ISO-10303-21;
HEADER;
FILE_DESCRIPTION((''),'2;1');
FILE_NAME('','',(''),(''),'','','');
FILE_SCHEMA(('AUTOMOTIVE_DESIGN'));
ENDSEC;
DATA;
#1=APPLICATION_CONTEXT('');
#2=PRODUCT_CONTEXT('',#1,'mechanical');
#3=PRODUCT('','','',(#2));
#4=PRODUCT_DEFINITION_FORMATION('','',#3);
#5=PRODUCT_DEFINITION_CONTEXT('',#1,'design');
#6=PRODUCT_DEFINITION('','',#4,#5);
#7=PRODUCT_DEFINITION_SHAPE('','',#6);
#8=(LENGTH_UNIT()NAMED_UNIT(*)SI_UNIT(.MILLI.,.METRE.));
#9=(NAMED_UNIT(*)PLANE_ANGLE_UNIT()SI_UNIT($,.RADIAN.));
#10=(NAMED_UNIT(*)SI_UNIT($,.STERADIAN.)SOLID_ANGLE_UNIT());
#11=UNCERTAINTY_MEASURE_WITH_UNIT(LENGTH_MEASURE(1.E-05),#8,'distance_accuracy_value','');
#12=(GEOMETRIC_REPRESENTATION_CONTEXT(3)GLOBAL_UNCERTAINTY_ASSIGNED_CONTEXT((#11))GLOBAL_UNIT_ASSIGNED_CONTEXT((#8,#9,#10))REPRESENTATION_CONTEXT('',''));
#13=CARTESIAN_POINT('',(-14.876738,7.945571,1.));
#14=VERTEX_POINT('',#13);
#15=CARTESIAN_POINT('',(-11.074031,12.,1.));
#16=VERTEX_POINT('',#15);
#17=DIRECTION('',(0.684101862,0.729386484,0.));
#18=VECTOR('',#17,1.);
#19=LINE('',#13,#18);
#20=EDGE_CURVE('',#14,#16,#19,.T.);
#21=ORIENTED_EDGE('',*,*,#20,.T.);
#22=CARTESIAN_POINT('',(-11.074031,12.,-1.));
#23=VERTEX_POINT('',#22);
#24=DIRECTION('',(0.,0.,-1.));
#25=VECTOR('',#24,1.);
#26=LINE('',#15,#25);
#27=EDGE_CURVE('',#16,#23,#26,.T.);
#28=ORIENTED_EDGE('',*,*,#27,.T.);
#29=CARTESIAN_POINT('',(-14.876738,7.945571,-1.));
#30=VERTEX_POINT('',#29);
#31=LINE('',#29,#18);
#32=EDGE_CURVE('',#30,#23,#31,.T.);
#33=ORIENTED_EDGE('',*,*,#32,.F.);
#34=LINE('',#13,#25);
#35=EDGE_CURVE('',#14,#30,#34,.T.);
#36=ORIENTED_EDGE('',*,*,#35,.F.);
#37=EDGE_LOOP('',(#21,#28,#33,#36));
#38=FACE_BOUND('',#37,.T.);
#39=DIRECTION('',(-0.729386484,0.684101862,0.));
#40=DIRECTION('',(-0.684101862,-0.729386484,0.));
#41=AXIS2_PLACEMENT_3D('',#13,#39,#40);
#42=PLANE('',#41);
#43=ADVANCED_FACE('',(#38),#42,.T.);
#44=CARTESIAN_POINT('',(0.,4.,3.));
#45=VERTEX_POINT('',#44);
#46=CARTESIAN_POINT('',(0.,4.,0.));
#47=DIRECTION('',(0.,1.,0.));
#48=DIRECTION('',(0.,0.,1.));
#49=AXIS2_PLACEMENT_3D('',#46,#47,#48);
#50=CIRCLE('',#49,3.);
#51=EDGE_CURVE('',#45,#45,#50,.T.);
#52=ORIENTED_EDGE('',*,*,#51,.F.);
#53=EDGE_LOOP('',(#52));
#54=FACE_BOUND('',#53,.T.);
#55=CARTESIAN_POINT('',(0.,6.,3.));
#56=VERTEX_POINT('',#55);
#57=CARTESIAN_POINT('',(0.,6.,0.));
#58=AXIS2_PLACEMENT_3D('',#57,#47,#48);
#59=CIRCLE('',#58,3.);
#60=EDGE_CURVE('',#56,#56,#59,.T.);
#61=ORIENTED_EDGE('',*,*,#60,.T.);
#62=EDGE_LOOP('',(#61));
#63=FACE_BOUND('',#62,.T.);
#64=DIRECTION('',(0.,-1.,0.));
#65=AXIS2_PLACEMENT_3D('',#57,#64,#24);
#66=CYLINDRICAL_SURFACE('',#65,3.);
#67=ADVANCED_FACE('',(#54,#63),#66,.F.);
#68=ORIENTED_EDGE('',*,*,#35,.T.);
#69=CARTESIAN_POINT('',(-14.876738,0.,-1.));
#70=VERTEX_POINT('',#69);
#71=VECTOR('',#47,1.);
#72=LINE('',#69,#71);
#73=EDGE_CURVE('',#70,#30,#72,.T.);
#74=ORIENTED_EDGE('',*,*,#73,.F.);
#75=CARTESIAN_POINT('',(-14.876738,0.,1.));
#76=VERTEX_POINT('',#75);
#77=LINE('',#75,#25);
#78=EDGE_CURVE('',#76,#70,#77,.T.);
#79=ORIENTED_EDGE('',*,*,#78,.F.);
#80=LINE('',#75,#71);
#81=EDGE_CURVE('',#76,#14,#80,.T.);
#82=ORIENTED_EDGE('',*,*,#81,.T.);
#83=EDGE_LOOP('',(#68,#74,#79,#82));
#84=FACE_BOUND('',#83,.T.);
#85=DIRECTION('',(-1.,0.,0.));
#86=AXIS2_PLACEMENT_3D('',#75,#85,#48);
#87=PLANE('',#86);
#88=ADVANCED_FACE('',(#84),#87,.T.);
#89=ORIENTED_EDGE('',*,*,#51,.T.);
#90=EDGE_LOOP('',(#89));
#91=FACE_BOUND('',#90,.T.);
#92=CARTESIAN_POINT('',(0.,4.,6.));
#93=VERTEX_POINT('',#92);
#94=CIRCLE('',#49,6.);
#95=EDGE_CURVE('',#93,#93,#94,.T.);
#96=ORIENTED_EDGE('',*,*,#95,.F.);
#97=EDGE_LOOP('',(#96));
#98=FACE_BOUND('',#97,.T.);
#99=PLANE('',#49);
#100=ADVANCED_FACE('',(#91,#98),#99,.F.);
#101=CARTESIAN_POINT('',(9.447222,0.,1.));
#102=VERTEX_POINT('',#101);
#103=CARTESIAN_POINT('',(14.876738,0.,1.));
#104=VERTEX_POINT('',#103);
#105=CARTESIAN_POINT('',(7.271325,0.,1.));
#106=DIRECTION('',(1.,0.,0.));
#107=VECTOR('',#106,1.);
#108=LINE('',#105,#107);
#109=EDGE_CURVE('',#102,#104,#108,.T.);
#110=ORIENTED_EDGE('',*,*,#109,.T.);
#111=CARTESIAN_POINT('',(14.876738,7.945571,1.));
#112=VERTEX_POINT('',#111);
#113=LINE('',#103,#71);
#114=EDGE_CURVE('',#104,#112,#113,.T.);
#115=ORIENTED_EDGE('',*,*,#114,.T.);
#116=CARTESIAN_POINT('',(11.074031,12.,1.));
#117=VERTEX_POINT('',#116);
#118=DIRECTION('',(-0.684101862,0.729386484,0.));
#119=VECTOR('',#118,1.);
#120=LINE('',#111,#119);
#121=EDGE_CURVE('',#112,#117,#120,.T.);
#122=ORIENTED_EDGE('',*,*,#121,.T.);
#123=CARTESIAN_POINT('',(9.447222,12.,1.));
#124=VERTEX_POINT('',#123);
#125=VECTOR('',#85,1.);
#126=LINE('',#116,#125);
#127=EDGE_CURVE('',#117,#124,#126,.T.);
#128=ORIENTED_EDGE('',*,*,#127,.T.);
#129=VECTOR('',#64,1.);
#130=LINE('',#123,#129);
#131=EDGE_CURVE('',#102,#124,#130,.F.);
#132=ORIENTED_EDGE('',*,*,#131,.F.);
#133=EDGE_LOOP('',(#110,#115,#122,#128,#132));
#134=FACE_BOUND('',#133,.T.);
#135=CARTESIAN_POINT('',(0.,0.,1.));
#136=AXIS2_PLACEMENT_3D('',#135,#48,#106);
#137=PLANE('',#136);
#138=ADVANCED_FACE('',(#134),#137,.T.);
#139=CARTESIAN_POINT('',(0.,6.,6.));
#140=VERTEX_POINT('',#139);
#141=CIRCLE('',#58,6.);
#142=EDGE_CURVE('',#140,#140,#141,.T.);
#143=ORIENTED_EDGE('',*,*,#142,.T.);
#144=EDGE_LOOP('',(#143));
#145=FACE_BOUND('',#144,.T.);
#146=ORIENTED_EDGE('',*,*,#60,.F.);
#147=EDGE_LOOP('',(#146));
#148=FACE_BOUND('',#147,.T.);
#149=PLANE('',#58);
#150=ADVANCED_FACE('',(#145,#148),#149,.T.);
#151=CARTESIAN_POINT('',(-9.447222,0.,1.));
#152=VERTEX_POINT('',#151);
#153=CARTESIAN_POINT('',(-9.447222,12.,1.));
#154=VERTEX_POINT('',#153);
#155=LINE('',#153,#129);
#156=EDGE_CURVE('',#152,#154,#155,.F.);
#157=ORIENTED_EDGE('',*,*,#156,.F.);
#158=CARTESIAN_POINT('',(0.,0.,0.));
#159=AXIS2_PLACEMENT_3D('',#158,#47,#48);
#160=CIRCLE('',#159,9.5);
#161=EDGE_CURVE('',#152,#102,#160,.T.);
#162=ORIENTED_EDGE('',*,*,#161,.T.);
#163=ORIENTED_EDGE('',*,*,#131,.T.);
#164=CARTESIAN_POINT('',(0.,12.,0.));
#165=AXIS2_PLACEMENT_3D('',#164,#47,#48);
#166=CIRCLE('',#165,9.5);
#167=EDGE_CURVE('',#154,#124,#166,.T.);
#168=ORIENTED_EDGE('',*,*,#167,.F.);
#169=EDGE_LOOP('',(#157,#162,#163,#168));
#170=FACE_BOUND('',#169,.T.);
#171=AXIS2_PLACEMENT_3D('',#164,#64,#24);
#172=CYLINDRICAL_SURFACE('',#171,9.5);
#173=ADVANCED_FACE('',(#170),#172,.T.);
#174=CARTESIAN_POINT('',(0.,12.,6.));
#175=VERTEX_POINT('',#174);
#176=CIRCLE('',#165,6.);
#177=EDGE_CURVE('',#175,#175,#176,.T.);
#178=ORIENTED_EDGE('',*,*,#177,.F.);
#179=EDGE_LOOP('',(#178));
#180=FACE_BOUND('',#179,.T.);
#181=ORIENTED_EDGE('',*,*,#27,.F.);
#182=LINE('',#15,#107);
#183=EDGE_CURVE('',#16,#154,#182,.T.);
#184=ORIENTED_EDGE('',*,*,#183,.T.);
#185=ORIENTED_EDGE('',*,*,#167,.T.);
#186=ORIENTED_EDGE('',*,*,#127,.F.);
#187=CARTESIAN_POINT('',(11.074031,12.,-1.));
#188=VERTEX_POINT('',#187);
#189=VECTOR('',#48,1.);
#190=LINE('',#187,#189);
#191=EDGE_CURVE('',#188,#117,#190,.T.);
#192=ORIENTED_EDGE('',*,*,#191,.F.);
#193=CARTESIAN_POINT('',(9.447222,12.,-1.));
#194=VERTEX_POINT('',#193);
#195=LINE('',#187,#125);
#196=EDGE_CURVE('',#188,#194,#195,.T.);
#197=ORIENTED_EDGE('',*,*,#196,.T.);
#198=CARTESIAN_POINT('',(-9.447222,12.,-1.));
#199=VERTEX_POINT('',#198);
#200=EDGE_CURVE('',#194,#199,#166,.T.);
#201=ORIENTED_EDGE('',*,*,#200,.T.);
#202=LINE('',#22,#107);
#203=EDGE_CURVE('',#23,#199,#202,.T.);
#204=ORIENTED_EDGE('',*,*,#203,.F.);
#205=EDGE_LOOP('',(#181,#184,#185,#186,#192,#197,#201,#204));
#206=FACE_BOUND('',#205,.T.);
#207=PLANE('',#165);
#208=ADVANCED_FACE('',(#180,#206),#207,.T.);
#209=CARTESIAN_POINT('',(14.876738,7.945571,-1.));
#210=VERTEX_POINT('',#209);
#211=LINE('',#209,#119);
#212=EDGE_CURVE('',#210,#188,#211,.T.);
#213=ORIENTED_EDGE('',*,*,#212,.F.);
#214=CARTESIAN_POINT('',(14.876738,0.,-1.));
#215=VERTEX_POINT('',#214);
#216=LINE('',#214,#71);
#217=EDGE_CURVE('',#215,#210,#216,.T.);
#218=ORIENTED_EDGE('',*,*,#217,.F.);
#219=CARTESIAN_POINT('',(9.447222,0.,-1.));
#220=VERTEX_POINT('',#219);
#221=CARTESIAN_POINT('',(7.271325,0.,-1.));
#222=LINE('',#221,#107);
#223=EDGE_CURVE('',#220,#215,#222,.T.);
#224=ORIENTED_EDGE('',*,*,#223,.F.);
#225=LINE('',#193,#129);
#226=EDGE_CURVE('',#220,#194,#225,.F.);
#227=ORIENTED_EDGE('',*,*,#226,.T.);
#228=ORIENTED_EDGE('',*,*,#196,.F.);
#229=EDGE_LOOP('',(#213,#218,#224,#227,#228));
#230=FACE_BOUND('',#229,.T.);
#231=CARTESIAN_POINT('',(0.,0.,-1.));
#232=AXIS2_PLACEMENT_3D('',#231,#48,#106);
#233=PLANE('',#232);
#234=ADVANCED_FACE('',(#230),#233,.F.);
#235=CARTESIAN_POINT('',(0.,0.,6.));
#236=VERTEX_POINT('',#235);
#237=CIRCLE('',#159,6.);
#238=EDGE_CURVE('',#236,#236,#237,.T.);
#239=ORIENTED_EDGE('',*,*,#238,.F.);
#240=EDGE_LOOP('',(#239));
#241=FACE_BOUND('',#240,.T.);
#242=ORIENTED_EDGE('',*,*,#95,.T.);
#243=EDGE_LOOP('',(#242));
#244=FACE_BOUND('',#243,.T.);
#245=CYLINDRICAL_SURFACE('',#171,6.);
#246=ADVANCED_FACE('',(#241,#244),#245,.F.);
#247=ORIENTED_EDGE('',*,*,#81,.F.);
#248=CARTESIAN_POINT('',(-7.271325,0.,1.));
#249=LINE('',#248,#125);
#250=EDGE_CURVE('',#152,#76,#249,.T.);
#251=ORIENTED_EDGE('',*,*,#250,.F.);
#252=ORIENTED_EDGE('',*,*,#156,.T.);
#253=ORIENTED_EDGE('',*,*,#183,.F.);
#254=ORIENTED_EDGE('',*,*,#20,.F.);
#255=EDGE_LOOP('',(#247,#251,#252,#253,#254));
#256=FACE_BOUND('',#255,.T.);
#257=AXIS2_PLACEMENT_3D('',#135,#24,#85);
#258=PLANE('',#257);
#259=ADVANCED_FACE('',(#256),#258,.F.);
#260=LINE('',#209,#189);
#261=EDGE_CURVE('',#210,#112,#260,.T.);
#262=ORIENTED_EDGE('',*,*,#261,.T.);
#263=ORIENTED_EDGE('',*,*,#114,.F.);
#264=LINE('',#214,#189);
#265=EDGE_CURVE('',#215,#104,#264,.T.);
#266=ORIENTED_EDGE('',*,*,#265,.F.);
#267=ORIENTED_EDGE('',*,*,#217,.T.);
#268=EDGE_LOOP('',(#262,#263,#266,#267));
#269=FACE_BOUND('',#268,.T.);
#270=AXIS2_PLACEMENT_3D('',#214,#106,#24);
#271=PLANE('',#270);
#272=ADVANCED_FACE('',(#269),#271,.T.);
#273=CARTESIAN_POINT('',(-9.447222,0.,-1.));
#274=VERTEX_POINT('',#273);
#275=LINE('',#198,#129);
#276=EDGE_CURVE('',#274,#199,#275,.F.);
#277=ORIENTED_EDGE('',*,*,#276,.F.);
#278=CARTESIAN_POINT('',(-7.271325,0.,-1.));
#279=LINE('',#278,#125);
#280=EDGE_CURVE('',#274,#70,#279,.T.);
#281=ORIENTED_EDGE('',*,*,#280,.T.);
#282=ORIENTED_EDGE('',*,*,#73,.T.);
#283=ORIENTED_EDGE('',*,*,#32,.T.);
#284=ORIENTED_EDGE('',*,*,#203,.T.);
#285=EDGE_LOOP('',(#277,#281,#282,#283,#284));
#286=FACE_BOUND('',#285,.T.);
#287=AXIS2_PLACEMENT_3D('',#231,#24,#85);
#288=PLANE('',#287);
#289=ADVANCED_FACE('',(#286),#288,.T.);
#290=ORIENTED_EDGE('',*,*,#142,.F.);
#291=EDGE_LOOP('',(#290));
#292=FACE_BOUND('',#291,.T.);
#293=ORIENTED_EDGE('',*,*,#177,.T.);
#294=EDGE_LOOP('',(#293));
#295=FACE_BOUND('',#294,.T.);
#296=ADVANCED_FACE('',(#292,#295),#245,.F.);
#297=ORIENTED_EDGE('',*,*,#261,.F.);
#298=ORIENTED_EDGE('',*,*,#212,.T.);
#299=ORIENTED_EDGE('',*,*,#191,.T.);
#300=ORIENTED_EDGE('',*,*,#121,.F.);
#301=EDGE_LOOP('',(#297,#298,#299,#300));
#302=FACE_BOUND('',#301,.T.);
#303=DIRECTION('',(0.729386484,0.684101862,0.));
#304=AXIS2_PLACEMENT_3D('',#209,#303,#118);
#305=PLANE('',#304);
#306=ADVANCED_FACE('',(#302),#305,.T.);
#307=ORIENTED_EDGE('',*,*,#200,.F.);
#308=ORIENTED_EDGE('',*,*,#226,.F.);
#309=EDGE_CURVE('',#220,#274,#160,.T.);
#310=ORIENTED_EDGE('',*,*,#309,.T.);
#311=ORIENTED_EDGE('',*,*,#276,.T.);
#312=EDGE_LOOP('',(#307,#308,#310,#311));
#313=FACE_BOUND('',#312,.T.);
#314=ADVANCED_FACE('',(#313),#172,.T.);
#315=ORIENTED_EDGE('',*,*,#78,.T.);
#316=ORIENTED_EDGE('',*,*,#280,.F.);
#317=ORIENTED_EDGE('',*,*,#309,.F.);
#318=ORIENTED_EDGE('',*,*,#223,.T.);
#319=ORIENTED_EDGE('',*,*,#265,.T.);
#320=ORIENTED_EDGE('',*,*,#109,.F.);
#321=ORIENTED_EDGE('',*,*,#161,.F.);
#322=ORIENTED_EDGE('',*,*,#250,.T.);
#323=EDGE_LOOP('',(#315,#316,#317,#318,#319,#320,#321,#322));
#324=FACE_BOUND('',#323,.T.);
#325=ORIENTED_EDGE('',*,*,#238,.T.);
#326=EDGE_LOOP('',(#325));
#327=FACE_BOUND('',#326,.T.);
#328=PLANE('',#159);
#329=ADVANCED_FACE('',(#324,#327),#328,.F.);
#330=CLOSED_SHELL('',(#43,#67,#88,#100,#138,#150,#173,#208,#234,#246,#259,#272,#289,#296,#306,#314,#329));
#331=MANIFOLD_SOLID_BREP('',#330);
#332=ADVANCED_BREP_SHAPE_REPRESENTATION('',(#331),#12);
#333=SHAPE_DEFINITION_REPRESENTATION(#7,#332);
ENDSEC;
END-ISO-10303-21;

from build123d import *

# Parameters (mm, degrees)
SKETCH1_R           = 9.5
SKETCH1_R_2         = 6
BOSS_EXTRUDE1_DEPTH = 12
BOSS_EXTRUDE2_DEPTH = 1
CIRPATTERN1_COUNT   = 2
SKETCH3_R           = 6
SKETCH3_R_2         = 3
BOSS_EXTRUDE3_DEPTH = 2


with BuildPart() as part:
    # Sketch1 → Boss-Extrude1 (new body)
    with BuildSketch(Plane(origin=(0, 0, 0), x_dir=(1, 0, 0), z_dir=(0, 1, 0))):
        Circle(SKETCH1_R)
        Circle(SKETCH1_R_2, mode=Mode.SUBTRACT)
    extrude(amount=BOSS_EXTRUDE1_DEPTH)

    # Sketch2 → Boss-Extrude2 (add, symmetric)
    with BuildSketch(Plane.XY):
        Polygon((7.271324846, 12), (7.271324846, 0), (14.87673759, 0), (14.87673759, 7.945570702), (11.074031218, 12), align=None)
    boss_extrude2 = extrude(amount=BOSS_EXTRUDE2_DEPTH, both=True)

    # CirPattern1: Boss-Extrude2 ×2 about axis
    cirpattern1_axis = Axis((0, 12, 0), (0, -1, 0))
    for i in range(1, CIRPATTERN1_COUNT):
        add(boss_extrude2.rotate(cirpattern1_axis, i * 360 / CIRPATTERN1_COUNT))

    # Sketch3 → Boss-Extrude3 (add)
    with BuildSketch(Plane(origin=(0, 4, 0), x_dir=(1, 0, 0), z_dir=(0, 1, 0))):
        Circle(SKETCH3_R)
        Circle(SKETCH3_R_2, mode=Mode.SUBTRACT)
    extrude(amount=BOSS_EXTRUDE3_DEPTH)


solid = part.part
